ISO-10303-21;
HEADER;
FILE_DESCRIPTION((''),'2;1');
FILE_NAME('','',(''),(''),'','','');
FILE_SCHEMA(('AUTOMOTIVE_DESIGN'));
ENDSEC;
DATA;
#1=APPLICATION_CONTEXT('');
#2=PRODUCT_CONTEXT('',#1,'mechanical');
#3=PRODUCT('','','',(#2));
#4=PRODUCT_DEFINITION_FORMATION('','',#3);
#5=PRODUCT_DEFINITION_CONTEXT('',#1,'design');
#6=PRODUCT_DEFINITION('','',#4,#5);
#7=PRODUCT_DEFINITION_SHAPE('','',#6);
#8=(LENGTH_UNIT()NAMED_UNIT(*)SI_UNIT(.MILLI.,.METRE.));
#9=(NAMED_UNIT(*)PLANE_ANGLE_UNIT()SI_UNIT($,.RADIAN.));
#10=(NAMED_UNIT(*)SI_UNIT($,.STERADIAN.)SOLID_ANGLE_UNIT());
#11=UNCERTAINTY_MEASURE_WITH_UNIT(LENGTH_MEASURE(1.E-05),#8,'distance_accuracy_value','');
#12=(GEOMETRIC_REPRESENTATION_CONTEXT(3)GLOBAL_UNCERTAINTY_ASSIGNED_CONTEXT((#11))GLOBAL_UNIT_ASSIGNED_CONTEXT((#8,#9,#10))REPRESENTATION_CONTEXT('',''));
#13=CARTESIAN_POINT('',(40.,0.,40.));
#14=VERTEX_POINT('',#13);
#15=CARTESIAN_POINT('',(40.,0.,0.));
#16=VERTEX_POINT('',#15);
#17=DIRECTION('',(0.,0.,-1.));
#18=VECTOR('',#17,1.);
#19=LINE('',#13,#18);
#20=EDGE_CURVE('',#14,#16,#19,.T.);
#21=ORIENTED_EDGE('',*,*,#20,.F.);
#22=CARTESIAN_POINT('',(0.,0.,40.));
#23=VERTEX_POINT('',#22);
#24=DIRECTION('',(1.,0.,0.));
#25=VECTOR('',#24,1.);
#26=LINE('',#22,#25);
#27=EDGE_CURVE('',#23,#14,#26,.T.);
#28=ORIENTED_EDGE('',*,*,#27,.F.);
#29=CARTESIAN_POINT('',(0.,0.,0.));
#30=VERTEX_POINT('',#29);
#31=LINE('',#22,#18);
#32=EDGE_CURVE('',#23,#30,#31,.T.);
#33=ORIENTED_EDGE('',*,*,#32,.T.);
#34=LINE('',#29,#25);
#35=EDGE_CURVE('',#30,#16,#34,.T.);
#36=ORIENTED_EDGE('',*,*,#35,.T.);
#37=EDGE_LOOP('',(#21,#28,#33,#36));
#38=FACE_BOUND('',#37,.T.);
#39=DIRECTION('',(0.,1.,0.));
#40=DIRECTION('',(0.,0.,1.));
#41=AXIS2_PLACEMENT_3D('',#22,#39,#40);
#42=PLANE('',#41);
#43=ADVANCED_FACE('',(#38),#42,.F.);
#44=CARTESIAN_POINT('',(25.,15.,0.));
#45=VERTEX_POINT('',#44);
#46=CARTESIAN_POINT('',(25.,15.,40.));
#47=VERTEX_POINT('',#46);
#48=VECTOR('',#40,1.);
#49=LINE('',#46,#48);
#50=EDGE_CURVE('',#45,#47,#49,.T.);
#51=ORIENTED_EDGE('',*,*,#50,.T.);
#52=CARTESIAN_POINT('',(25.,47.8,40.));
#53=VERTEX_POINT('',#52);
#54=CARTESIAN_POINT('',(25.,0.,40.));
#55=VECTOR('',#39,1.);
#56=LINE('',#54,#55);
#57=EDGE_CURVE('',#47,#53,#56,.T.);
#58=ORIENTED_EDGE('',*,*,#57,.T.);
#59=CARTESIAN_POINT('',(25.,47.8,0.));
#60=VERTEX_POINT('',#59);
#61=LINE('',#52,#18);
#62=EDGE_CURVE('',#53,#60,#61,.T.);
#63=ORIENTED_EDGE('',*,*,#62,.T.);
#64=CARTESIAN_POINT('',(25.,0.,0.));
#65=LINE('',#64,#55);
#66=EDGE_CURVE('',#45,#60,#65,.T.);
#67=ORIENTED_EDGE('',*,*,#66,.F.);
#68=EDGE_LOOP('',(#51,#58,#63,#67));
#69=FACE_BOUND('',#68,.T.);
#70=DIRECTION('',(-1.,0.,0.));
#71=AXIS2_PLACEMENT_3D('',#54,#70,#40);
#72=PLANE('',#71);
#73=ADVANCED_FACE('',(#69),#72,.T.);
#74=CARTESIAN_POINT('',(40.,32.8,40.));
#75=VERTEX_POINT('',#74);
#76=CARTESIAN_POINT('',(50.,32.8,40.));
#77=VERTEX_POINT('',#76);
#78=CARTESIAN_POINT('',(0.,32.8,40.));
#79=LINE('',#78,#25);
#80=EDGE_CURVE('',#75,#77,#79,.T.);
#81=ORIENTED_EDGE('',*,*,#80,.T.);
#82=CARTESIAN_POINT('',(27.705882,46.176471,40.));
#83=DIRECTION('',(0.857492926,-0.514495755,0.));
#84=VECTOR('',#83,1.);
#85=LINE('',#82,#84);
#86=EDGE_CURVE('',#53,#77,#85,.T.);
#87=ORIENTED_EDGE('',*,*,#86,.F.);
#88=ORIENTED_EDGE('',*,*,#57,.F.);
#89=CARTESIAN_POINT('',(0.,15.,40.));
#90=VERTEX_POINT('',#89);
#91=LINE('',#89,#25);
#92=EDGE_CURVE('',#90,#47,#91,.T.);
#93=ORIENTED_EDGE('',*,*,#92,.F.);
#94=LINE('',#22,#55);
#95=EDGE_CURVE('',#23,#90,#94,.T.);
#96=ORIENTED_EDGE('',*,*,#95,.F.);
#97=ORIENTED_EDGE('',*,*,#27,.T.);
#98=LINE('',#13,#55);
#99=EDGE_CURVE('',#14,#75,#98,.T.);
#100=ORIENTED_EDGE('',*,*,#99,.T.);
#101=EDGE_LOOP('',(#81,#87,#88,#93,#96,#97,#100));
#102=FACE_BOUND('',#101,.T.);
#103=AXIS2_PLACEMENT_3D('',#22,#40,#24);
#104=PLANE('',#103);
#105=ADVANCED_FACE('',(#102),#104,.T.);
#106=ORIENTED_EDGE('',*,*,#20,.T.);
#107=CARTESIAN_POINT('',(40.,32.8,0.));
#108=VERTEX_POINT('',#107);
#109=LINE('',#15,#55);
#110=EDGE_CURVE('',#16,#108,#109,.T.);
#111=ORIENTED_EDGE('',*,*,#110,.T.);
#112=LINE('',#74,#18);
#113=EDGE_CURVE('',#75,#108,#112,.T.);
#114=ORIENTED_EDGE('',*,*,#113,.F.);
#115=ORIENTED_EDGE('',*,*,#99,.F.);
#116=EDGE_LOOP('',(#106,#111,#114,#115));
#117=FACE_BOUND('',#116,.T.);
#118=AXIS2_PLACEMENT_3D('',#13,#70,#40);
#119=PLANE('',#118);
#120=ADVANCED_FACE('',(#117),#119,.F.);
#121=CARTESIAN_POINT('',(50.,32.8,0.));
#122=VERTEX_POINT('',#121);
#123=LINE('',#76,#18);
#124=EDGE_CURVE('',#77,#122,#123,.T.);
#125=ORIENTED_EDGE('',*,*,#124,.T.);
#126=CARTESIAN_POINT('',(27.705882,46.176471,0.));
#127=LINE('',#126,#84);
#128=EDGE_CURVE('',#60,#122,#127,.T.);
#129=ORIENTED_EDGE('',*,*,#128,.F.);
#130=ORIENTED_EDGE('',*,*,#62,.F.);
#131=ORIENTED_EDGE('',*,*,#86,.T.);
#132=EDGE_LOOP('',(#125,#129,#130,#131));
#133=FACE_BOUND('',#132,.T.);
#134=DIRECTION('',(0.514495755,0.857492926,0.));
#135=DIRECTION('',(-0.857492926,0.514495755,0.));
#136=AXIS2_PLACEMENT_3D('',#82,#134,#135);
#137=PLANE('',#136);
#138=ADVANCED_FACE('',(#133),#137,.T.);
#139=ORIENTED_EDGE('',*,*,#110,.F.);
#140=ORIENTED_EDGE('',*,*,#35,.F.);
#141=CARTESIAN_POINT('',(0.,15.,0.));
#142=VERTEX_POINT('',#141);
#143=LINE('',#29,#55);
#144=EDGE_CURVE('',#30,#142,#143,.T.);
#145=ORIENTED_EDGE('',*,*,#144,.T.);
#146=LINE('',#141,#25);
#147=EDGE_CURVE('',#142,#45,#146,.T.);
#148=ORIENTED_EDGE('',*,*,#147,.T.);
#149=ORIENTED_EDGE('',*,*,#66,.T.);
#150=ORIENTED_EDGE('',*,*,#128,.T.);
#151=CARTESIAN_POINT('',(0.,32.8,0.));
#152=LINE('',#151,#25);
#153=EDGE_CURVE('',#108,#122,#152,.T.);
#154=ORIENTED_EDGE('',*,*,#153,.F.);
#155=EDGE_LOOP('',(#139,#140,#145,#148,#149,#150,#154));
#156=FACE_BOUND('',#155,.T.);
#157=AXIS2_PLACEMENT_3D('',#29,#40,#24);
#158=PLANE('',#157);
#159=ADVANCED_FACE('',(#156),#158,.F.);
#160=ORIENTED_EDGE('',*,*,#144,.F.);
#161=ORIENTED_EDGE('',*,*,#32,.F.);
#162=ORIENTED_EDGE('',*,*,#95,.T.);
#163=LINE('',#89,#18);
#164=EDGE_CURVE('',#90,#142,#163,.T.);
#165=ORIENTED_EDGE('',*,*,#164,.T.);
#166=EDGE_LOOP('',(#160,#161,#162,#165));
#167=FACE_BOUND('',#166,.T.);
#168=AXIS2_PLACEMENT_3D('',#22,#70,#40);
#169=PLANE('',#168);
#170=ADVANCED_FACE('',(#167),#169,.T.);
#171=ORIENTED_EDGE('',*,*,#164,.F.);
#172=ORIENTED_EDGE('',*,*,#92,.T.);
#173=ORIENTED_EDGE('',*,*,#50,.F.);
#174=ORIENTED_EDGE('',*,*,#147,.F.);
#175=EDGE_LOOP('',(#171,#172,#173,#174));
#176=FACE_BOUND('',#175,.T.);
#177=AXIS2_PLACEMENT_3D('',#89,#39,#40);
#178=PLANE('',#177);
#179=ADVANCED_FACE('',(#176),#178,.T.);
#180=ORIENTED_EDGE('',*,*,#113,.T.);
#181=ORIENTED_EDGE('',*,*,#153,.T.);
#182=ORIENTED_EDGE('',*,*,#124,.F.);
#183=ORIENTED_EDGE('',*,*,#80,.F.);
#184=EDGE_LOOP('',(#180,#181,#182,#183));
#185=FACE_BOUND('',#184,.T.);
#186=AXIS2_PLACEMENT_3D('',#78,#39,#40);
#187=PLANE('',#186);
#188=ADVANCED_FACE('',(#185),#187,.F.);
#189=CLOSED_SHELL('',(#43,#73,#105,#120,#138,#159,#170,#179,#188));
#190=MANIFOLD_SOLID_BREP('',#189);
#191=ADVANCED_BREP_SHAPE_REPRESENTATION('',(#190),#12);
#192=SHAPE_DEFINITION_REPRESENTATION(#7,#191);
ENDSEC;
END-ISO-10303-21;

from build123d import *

# Parameters (mm, degrees)
BOSS_EXTRU_1_DEPTH = 40


with BuildPart() as part:
    # Esquisse1 → Boss.-Extru.1 (new body)
    with BuildSketch(Plane.XY):
        Polygon((50, 32.8), (25, 47.8), (25, 15), (0, 15), (0, 0), (40, 0), (40, 32.8), align=None)
    extrude(amount=BOSS_EXTRU_1_DEPTH)


solid = part.part
